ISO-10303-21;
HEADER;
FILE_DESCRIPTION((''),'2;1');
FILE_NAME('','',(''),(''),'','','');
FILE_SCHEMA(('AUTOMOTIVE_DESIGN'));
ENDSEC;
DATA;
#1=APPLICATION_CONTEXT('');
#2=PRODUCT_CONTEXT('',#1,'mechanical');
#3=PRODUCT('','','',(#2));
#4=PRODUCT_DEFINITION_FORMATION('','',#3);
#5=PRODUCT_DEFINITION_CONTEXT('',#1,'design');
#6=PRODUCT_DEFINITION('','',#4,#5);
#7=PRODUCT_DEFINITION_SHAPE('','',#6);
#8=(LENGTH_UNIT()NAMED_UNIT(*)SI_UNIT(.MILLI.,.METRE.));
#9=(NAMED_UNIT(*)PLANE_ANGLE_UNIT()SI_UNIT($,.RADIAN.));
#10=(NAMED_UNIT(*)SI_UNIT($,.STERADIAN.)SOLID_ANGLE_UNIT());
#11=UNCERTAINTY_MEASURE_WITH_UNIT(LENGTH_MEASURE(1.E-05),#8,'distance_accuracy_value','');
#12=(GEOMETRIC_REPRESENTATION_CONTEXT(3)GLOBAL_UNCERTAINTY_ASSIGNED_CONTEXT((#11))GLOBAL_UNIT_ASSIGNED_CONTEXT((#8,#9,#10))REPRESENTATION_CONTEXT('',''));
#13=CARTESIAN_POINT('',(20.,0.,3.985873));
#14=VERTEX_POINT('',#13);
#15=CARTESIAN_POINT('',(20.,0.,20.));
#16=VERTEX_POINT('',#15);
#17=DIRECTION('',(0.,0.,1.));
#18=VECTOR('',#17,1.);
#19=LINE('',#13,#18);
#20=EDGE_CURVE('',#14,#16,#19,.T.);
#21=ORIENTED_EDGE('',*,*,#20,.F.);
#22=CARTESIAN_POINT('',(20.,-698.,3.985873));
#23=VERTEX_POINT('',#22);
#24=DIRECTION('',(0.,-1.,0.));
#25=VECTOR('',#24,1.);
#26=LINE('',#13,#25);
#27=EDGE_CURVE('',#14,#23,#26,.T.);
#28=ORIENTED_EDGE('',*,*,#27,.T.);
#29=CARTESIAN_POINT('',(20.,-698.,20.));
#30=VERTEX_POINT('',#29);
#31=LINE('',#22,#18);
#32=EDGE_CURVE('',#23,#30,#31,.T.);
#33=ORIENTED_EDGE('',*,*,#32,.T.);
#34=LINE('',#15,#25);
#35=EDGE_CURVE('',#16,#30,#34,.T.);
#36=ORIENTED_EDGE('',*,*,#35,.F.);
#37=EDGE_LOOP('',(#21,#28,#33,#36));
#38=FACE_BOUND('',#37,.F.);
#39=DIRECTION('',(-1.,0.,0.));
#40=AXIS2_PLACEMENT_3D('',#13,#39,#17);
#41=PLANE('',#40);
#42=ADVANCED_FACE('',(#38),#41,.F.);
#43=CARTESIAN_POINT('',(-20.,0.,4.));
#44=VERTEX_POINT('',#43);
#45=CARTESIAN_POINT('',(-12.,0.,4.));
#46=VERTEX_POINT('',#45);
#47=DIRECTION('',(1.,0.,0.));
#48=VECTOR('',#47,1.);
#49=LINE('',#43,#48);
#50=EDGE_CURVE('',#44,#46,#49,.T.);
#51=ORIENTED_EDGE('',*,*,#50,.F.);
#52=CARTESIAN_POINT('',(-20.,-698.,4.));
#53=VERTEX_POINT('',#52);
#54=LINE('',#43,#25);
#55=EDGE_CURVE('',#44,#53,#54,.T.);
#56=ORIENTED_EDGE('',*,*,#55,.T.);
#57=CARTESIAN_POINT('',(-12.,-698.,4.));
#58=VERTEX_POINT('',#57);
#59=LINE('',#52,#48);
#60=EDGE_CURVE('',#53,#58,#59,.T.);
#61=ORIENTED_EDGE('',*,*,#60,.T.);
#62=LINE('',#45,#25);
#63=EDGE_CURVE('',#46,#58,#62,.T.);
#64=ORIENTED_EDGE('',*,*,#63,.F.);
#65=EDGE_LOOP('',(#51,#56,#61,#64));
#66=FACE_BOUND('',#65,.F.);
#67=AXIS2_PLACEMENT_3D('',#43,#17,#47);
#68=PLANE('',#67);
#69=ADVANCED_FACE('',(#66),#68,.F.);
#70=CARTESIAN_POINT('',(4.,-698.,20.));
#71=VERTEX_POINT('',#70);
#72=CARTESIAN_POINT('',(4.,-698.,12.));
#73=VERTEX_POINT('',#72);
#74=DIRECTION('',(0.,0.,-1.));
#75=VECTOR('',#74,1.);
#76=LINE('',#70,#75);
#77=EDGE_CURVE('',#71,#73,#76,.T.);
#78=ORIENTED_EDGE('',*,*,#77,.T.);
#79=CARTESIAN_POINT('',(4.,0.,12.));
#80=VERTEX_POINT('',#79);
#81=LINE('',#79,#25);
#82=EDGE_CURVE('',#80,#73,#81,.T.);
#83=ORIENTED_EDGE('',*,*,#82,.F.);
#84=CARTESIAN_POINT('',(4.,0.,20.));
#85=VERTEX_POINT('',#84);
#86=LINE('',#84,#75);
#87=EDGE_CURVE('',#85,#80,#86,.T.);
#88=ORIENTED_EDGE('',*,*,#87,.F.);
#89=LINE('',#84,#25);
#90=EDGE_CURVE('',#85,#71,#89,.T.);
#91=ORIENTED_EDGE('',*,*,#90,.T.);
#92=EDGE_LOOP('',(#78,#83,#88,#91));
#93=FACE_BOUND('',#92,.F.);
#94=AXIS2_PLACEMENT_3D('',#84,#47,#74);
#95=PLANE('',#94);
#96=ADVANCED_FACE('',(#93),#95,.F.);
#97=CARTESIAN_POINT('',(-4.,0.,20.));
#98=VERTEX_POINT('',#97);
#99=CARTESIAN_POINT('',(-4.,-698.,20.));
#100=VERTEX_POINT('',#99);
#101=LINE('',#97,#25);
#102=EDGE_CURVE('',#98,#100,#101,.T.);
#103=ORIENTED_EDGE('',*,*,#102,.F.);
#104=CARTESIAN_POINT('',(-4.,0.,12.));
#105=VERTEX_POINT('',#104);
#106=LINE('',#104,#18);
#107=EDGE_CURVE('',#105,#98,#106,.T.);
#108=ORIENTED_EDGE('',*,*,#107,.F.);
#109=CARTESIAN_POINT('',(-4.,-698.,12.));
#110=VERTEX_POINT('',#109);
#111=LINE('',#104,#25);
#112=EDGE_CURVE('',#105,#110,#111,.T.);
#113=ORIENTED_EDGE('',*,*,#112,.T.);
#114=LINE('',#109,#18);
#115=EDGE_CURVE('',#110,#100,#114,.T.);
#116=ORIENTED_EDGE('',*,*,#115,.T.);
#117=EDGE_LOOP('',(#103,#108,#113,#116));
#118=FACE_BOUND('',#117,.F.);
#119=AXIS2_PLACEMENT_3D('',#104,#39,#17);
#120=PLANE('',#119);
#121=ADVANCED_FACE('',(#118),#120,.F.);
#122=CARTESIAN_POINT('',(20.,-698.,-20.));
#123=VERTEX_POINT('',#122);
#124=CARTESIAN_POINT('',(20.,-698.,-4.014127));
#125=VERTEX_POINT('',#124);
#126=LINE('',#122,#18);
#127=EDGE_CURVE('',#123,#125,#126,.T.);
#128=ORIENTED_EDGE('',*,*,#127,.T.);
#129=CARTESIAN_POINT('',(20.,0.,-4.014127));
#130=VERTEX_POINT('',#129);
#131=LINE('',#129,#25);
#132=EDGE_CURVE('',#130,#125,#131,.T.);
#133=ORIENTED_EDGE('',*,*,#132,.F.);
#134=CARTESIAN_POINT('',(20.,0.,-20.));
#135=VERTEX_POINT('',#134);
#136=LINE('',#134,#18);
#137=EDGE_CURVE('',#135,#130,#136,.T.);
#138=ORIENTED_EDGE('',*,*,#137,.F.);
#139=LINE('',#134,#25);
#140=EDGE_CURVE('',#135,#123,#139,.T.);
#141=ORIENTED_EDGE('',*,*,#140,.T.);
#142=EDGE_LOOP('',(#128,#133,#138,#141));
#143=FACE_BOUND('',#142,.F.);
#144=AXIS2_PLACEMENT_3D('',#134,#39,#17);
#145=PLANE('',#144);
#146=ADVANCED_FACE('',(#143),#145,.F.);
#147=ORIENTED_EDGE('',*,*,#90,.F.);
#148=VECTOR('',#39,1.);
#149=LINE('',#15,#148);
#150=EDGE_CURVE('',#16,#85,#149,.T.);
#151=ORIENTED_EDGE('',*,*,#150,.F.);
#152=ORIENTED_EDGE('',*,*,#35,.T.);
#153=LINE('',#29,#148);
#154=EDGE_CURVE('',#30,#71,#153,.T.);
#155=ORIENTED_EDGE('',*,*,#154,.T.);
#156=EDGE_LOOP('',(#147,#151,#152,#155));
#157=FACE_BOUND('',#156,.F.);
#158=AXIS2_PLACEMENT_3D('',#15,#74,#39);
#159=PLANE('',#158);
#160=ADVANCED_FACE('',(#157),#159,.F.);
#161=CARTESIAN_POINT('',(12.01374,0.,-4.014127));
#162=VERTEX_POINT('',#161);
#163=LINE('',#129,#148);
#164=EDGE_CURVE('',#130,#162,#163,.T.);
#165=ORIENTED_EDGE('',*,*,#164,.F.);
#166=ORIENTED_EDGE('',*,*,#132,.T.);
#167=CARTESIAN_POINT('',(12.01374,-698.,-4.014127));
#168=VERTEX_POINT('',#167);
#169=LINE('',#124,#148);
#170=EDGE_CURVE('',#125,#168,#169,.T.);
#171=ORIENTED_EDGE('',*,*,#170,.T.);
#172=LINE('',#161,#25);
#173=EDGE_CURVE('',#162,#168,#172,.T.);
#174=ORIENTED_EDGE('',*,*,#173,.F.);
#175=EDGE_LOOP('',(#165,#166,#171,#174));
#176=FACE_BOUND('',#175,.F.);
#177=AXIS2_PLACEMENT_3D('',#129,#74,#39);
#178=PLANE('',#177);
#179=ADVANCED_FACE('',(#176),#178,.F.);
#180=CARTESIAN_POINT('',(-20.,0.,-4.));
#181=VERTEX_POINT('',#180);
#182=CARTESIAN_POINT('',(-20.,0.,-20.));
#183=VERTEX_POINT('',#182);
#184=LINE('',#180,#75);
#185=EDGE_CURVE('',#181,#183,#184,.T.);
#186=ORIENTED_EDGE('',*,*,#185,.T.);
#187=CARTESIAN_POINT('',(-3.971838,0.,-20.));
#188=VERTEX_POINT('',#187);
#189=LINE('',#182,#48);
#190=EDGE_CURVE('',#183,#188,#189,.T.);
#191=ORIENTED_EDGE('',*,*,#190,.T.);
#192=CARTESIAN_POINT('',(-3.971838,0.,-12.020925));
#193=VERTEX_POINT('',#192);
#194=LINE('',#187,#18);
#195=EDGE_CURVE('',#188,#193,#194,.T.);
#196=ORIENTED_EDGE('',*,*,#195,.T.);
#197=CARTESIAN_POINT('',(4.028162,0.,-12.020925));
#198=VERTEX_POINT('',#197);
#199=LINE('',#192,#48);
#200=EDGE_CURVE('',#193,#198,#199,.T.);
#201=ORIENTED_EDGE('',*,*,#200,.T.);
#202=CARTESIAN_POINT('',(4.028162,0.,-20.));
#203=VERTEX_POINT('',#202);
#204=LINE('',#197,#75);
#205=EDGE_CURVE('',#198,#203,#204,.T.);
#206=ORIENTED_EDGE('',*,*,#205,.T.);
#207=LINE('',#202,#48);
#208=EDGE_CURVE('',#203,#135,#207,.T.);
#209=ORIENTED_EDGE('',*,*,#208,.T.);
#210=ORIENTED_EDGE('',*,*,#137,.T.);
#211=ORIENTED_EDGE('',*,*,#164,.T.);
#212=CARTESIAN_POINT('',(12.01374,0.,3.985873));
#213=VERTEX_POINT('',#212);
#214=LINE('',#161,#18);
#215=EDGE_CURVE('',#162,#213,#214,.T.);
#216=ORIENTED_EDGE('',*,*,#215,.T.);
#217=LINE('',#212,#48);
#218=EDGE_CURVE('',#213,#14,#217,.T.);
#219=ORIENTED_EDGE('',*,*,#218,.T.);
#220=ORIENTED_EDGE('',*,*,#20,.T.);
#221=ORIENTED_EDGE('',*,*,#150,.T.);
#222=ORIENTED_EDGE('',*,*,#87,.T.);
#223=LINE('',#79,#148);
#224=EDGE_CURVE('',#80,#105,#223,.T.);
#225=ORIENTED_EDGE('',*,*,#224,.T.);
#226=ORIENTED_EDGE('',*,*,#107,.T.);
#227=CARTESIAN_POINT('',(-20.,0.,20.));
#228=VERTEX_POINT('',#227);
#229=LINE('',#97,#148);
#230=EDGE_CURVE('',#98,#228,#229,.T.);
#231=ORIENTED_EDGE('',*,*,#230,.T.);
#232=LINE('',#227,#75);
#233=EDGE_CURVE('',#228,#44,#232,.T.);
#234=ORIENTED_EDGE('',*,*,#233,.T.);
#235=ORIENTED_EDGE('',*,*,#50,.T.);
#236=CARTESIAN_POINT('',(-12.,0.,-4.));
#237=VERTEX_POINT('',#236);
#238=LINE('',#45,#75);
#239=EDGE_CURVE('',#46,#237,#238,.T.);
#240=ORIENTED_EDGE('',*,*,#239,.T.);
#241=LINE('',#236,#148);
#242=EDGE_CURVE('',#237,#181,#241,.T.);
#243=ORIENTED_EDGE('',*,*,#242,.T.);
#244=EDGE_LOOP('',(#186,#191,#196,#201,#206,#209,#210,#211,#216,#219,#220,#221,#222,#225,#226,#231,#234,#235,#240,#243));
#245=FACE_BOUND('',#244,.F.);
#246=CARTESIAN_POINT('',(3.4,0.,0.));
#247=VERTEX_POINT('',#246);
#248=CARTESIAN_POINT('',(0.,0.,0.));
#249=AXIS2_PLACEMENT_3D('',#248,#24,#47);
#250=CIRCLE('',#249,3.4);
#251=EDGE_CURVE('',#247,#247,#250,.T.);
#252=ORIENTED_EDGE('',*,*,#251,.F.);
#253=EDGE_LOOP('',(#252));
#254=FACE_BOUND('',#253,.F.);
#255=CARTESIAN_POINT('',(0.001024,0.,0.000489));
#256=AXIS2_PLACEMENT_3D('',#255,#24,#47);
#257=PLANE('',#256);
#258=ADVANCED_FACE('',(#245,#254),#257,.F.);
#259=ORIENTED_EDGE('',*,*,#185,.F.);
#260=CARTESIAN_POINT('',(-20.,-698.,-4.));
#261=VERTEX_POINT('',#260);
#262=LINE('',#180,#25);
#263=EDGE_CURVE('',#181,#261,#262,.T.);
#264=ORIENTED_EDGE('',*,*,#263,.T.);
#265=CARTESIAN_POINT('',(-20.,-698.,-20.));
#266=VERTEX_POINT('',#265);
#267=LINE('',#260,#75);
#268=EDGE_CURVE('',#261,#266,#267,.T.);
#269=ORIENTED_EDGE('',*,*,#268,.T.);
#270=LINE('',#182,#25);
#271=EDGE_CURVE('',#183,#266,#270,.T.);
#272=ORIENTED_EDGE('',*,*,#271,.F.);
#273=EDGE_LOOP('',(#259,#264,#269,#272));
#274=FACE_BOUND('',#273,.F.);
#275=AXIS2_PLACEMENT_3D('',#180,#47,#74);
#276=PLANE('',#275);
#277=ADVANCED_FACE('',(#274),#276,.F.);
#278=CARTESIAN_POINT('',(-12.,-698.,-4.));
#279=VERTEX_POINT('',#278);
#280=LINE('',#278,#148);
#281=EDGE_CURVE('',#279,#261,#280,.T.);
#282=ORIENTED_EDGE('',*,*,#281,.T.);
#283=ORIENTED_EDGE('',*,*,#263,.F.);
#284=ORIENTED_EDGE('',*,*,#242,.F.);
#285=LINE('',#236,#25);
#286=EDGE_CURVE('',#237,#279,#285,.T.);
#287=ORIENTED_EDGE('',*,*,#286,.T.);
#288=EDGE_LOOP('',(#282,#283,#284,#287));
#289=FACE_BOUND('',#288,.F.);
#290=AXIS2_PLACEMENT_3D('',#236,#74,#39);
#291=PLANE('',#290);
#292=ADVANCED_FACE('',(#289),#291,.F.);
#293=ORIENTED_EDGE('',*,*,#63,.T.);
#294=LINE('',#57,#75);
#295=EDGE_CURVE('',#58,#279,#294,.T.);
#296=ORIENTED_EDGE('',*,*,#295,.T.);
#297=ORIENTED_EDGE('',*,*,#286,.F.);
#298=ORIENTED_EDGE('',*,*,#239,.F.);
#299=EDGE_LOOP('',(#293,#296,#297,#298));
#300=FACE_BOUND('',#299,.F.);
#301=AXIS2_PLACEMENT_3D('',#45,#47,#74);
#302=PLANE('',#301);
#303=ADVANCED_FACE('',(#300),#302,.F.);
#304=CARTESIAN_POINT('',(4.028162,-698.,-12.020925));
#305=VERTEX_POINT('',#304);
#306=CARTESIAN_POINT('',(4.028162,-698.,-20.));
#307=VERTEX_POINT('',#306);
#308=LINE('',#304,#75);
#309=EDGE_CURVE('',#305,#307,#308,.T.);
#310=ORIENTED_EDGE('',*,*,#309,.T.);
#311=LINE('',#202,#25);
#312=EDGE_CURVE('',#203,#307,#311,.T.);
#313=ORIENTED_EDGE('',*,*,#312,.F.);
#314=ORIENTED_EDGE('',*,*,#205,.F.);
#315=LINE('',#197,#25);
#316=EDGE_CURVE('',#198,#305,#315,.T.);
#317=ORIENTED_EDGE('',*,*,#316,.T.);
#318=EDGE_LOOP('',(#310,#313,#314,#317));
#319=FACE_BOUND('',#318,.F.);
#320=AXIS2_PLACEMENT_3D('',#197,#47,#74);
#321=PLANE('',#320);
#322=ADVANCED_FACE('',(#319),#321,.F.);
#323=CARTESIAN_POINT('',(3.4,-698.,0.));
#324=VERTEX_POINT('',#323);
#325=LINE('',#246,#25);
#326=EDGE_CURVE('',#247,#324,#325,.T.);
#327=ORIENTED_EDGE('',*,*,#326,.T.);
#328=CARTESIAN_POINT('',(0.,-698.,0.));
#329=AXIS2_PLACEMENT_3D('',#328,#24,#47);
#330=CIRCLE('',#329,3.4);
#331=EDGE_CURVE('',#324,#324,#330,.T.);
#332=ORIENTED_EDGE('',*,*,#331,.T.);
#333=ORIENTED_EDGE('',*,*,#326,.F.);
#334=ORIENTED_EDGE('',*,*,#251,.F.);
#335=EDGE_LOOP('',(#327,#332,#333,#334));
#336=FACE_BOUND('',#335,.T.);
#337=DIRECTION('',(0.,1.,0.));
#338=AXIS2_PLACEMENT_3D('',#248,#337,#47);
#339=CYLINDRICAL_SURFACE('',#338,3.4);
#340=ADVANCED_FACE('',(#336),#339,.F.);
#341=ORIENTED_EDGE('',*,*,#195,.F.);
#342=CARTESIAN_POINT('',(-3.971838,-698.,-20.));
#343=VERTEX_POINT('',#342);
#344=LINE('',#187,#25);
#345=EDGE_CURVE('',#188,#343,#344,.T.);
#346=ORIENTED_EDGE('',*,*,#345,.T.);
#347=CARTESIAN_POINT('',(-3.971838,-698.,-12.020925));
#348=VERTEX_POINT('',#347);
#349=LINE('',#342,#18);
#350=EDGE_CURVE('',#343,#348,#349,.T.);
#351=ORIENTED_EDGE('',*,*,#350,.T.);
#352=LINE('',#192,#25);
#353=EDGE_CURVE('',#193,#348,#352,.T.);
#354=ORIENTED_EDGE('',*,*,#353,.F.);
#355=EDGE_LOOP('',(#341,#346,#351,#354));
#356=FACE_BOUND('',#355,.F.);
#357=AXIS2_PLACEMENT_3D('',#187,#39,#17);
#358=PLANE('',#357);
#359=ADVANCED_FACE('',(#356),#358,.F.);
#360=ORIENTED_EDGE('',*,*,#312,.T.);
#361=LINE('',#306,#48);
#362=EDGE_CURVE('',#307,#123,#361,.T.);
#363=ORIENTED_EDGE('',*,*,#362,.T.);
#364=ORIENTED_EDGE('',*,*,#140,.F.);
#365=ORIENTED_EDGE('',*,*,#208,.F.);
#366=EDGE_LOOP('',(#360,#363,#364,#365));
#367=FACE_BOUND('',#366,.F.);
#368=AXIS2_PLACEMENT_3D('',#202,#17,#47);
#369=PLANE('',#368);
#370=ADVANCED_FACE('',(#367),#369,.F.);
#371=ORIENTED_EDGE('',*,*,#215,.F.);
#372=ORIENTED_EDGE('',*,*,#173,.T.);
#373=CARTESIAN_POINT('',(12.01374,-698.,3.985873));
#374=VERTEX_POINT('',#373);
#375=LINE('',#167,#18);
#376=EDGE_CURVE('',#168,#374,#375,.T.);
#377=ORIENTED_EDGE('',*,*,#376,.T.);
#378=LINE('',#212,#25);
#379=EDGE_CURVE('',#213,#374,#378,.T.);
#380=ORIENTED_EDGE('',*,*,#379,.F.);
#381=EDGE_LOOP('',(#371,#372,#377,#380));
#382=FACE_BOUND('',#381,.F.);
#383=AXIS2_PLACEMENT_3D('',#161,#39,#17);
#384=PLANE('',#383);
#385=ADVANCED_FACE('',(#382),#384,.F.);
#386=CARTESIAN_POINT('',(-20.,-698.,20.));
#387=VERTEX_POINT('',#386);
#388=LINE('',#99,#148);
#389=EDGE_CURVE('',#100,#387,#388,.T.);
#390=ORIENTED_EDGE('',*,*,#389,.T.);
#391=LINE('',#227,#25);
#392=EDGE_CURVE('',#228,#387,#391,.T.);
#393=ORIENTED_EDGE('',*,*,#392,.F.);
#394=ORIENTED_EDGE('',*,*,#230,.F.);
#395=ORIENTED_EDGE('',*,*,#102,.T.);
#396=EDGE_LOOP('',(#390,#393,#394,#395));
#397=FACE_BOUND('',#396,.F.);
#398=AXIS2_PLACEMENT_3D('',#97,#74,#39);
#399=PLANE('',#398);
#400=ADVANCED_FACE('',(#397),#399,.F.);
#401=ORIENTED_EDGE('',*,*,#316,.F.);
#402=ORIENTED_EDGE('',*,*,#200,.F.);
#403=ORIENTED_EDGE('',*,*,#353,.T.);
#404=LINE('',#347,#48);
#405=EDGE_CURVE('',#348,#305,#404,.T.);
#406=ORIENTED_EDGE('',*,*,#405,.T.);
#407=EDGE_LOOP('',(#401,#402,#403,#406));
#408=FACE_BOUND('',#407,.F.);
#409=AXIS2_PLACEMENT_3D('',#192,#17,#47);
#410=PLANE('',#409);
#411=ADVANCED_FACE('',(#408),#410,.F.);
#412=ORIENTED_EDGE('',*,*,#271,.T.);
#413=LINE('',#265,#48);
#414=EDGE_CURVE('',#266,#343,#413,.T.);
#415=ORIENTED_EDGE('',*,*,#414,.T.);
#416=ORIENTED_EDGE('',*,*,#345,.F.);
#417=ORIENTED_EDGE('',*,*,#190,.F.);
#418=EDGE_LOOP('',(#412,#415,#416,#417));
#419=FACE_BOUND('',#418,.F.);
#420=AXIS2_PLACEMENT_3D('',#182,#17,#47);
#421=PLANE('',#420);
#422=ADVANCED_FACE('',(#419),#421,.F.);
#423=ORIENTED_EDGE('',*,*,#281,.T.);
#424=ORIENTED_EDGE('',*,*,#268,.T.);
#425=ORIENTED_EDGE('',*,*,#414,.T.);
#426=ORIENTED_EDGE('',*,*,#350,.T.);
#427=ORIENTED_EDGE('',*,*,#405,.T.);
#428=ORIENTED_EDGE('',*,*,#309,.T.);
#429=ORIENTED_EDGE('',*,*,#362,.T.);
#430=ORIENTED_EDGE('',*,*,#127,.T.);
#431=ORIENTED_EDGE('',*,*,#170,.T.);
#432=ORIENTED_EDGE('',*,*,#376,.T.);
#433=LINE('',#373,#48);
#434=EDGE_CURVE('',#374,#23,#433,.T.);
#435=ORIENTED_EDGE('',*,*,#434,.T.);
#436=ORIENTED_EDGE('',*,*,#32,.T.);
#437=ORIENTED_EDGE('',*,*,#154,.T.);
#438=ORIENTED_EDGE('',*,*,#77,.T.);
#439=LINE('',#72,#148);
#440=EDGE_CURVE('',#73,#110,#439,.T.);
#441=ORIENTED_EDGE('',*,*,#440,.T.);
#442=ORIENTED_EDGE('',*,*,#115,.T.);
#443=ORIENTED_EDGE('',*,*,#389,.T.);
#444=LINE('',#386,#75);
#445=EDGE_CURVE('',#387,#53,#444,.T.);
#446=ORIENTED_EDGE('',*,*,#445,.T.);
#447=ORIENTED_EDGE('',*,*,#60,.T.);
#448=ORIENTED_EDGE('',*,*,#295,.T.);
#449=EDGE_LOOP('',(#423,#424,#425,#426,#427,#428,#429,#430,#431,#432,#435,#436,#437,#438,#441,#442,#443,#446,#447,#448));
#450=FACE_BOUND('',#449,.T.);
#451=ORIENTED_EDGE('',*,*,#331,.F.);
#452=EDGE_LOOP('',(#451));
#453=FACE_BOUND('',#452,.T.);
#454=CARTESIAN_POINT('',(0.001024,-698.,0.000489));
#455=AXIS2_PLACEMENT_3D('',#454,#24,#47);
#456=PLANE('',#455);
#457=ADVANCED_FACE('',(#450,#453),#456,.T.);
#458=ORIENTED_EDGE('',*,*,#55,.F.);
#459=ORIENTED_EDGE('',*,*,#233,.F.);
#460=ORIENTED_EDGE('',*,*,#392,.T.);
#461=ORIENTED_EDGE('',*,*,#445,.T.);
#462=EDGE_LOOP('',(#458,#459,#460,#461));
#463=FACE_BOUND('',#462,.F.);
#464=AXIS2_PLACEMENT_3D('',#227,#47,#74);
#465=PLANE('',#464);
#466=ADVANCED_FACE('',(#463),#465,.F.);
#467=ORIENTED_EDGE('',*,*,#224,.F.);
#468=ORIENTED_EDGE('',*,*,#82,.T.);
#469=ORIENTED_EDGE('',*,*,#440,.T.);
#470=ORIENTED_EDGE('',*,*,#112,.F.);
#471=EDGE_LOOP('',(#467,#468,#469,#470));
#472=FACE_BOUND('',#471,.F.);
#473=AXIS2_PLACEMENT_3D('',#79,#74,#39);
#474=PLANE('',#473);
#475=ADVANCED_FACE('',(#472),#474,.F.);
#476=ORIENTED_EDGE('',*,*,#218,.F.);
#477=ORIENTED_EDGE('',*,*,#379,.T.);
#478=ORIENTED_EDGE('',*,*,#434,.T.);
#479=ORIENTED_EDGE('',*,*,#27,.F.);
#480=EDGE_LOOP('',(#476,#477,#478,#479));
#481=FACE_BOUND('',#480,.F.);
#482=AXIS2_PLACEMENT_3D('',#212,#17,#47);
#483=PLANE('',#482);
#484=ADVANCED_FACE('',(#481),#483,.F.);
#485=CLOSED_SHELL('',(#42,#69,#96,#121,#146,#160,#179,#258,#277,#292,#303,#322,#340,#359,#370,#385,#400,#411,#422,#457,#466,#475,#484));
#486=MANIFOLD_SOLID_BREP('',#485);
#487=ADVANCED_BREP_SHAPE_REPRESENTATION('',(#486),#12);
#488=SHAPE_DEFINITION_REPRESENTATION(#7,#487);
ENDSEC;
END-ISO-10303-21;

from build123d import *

# Parameters (mm, degrees)
F0_R     = 3.4
F1_DEPTH = 698


with BuildPart() as f1:
    # F0 (on Front) → F1 (new body)
    with BuildSketch(Plane.XZ):
        Polygon((20, 3.985873), (20, 20), (4, 20), (4, 12), (-4, 12), (-4, 20), (-20, 20), (-20, 4), (-12, 4), (-12, -4), (-20, -4), (-20, -20), (-3.971838, -20), (-3.971838, -12.020925), (4.028162, -12.020925), (4.028162, -20), (20, -20), (20, -4.014127), (12.01374, -4.014127), (12.01374, 3.985873), align=None)
        Circle(F0_R, mode=Mode.SUBTRACT)
    extrude(amount=F1_DEPTH)


solid = f1.part
